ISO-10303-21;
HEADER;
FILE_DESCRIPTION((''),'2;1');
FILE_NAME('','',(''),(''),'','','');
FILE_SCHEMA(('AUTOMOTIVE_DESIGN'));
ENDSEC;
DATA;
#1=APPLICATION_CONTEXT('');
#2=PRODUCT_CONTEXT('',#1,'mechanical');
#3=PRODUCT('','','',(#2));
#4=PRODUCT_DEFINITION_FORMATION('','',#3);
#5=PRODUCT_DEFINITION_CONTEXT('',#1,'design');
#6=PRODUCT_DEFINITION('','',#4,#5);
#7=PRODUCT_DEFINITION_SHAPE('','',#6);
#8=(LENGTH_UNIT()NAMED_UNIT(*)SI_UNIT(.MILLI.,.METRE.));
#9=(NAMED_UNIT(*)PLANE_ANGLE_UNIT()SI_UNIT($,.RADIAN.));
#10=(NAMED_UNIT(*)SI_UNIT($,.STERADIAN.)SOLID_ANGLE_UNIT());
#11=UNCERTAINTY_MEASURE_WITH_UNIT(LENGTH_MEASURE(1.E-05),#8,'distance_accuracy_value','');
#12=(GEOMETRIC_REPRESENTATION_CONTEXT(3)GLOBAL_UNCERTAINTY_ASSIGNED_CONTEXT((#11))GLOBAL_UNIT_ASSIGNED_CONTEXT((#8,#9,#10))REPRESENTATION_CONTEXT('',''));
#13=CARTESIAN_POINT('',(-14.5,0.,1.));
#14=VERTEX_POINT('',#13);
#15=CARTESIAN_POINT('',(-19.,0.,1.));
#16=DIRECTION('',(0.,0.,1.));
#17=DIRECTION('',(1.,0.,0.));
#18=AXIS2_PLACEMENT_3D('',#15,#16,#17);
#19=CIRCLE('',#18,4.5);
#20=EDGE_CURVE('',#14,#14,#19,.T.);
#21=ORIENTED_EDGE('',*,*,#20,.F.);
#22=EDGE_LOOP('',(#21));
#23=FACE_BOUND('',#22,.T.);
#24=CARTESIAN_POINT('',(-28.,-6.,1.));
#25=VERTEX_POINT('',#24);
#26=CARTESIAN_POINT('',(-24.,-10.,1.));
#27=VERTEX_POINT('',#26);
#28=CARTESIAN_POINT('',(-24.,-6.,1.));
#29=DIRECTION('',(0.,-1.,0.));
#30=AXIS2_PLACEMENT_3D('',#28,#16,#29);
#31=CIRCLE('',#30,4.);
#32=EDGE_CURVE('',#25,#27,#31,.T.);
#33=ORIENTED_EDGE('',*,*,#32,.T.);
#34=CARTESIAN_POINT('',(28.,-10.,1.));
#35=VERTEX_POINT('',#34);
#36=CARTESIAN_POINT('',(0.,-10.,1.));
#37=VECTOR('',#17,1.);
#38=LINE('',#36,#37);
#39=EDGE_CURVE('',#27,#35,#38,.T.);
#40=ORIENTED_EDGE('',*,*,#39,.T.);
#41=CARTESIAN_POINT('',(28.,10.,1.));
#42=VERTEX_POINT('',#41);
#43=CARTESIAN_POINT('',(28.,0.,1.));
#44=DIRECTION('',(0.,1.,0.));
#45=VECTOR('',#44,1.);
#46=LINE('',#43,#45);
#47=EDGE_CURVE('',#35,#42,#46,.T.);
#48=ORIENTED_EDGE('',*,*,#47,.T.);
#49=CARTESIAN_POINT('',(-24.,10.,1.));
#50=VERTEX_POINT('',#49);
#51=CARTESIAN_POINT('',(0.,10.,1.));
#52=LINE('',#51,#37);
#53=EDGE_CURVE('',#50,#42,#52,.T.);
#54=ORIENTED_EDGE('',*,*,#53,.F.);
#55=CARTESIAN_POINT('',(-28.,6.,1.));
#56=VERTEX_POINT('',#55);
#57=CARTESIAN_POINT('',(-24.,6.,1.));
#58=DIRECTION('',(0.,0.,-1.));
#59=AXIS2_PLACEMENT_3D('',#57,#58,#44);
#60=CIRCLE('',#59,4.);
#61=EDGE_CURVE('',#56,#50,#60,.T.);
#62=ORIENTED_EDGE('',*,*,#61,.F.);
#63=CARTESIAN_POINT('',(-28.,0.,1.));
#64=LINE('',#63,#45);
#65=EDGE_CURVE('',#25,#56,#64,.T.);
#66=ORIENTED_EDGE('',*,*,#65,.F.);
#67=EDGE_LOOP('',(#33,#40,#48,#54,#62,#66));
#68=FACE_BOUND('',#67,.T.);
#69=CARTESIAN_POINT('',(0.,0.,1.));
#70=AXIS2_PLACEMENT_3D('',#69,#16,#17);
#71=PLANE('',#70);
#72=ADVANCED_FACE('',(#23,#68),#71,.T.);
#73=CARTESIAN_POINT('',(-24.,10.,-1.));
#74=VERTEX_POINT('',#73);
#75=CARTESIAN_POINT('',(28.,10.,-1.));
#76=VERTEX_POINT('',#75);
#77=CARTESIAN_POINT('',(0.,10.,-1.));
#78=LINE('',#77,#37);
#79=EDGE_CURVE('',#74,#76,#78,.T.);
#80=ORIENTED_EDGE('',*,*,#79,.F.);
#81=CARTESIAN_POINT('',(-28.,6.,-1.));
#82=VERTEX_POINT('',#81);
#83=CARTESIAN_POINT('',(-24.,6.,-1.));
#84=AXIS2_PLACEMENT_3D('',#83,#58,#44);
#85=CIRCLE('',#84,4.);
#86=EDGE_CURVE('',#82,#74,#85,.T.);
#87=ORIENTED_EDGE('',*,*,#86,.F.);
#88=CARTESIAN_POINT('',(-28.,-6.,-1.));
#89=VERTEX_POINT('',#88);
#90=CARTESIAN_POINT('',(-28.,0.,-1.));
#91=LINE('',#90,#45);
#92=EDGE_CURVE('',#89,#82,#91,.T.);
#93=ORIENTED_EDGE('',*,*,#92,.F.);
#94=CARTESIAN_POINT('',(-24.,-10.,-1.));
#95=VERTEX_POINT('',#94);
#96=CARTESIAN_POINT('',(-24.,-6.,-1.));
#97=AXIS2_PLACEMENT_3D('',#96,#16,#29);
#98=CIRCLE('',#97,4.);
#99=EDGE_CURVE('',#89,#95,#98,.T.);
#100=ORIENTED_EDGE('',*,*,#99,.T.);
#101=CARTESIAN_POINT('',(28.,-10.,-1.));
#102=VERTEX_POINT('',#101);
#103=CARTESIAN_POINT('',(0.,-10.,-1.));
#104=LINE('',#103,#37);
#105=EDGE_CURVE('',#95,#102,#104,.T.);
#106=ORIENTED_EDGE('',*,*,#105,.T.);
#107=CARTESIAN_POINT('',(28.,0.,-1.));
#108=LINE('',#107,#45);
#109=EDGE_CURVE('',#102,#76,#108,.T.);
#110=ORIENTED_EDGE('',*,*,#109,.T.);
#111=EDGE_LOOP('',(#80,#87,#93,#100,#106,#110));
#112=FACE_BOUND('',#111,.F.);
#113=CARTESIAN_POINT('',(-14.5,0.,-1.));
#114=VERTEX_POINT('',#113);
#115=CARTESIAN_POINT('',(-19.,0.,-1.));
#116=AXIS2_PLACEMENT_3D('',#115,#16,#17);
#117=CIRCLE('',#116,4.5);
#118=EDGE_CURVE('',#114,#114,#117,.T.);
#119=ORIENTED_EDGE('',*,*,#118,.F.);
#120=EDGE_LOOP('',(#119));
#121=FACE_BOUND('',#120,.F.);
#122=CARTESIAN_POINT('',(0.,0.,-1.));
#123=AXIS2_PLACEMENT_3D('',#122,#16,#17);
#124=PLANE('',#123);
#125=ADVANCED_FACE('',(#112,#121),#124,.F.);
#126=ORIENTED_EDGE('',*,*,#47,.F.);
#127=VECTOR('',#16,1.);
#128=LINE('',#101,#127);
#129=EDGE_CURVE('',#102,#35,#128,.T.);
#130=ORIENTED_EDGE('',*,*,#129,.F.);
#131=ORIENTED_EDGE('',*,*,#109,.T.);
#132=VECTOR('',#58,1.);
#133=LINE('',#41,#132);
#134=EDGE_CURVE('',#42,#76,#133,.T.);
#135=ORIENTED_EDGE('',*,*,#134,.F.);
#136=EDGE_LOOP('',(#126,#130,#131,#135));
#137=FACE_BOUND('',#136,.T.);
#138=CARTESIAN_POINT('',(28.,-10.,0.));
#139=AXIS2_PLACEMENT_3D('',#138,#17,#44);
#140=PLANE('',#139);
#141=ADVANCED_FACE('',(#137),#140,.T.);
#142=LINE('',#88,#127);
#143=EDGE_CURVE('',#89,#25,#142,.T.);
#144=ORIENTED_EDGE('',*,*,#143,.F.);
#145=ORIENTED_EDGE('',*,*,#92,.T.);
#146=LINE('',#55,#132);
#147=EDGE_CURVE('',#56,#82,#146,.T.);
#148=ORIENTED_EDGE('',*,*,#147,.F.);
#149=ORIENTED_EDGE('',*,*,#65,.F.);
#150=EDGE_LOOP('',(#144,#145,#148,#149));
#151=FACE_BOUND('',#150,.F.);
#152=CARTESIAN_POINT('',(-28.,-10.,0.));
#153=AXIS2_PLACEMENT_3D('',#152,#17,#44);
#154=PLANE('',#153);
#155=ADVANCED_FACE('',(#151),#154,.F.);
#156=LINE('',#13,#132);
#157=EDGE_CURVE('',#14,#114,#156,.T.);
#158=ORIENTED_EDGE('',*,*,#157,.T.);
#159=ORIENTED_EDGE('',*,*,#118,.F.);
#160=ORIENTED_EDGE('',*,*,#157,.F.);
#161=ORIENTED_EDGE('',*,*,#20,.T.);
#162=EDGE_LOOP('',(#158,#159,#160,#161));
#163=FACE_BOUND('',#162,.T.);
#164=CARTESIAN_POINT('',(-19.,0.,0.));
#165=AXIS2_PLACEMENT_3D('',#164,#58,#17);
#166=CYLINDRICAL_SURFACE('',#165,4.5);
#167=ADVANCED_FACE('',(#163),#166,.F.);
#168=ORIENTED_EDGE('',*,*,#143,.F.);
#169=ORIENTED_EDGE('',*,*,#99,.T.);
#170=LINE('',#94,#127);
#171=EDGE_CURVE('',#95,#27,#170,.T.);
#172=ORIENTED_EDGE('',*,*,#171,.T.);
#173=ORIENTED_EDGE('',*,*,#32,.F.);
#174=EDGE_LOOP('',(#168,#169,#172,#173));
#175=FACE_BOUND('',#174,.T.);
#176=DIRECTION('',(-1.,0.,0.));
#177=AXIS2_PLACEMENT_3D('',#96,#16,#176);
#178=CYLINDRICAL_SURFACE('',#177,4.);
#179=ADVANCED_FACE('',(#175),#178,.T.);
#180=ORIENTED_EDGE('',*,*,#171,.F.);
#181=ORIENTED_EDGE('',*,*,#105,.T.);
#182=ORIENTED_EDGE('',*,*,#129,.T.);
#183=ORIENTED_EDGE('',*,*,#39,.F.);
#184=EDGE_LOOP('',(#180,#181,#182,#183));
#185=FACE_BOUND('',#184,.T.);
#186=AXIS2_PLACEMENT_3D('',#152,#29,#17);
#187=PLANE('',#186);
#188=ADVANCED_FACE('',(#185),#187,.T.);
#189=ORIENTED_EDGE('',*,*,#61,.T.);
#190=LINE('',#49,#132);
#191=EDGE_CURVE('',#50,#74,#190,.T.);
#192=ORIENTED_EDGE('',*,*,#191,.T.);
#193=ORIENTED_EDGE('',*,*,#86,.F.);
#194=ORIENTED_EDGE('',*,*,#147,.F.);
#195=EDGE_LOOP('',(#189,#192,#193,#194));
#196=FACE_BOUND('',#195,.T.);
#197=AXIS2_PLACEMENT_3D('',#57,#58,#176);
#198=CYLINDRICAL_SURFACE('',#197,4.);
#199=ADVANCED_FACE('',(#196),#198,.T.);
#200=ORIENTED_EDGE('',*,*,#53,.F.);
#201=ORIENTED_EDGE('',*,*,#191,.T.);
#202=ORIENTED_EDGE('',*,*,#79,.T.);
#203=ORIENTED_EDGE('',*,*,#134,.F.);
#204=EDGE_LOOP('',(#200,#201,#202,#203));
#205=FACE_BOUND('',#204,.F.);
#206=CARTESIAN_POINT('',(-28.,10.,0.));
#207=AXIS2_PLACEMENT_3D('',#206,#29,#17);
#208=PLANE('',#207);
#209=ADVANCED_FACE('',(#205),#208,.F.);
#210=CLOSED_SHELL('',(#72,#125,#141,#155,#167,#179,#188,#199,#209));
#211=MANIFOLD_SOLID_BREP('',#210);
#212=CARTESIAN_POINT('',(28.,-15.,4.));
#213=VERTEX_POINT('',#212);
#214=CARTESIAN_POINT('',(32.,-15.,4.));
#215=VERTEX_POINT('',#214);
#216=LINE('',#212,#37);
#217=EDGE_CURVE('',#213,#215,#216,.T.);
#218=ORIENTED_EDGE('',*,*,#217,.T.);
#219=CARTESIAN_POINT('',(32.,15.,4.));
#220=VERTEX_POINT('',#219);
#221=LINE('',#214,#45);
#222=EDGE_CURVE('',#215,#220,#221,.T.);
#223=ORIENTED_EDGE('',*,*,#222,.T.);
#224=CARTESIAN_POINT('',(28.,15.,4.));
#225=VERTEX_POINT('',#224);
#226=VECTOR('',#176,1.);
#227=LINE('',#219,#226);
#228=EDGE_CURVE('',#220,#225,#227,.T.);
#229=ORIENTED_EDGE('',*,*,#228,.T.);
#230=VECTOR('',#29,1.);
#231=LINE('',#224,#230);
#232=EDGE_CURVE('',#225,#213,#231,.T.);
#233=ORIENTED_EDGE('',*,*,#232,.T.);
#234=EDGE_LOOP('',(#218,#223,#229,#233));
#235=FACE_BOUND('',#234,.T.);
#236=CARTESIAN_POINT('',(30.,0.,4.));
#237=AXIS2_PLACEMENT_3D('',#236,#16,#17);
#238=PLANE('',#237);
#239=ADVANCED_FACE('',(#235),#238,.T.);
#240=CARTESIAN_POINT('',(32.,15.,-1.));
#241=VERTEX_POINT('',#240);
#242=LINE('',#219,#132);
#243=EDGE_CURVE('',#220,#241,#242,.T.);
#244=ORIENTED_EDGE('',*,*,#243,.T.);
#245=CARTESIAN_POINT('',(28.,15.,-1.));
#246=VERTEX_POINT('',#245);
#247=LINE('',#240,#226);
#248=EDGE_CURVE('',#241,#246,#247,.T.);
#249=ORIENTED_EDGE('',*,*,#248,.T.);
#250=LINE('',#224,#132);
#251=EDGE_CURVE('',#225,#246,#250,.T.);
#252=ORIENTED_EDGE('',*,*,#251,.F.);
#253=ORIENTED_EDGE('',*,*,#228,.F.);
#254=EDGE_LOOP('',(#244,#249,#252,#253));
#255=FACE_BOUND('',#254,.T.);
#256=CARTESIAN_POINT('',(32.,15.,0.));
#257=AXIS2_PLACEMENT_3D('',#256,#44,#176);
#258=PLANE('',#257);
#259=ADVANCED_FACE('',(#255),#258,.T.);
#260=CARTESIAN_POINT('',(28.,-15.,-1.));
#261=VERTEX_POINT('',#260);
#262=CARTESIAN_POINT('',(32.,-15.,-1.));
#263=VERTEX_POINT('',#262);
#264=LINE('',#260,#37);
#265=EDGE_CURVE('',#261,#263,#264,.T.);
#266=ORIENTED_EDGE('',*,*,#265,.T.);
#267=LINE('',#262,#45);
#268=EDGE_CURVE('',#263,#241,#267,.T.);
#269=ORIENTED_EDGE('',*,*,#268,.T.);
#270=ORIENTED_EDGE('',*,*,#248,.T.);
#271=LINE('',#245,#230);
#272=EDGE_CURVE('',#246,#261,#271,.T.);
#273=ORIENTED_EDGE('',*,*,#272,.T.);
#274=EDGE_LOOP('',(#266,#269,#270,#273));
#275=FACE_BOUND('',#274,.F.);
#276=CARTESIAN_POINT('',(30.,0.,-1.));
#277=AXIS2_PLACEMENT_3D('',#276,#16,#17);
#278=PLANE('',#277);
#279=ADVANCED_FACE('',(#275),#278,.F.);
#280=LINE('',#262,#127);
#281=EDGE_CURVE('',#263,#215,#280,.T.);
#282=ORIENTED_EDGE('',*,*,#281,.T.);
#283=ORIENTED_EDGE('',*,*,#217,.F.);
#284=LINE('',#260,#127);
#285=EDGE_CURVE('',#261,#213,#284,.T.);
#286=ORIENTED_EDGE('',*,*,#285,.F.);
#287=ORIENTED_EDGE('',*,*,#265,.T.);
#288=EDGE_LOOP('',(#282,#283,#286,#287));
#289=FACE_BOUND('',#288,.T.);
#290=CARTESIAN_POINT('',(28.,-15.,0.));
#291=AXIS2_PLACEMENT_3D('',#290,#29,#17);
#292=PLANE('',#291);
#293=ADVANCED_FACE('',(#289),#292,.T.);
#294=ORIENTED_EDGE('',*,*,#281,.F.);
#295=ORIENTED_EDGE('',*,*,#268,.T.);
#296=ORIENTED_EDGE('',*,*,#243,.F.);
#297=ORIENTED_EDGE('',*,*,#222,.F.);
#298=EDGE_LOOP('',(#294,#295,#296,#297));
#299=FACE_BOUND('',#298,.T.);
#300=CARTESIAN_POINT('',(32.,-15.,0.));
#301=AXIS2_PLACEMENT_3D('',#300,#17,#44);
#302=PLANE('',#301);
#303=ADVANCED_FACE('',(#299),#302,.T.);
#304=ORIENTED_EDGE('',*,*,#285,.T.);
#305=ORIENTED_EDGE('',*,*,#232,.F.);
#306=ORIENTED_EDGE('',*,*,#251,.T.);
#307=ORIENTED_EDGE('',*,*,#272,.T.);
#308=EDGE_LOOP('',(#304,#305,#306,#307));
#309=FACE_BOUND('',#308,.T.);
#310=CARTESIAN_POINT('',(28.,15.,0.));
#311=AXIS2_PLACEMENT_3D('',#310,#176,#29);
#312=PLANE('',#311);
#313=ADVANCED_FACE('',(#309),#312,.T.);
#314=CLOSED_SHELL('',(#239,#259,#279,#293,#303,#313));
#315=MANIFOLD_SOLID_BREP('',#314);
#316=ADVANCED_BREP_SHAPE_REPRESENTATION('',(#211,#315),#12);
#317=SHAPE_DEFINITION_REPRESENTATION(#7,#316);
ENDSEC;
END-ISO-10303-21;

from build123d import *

# Parameters (mm, degrees)
F1_DEPTH      = 4
F1_DEPTH_BACK = 1
F0_W          = 56
F0_H          = 20
F0_R          = 4.5
F2_DEPTH      = 1
F3_R          = 4
F4_R          = 4


with BuildPart() as f1:
    # F0 (on Top) → F1 (new body, two sides)
    with BuildSketch(Plane.XY) as f1_sk:
        Polygon((28, 15), (28, 10), (28, -10), (28, -15), (32, -15), (32, 15), align=None)
    extrude(amount=F1_DEPTH)
    extrude(f1_sk.sketch, amount=-F1_DEPTH_BACK)


with BuildPart() as f2:
    # F0 (on Top) → F2 (new body, symmetric)
    with BuildSketch(Plane.XY):
        Rectangle(F0_W, F0_H)
        with Locations((-19, 0)):
            Circle(F0_R, mode=Mode.SUBTRACT)
    extrude(amount=F2_DEPTH, both=True)

    # F3
    f3_edges = [f2.edges().sort_by_distance(p)[0] for p in [
        (-28, -10, 0),
    ]]
    fillet(f3_edges, radius=F3_R)

    # F4
    f4_edges = [f2.edges().sort_by_distance(p)[0] for p in [
        (-28, 10, 0),
    ]]
    fillet(f4_edges, radius=F4_R)


solid = Compound([f1.part, f2.part])
